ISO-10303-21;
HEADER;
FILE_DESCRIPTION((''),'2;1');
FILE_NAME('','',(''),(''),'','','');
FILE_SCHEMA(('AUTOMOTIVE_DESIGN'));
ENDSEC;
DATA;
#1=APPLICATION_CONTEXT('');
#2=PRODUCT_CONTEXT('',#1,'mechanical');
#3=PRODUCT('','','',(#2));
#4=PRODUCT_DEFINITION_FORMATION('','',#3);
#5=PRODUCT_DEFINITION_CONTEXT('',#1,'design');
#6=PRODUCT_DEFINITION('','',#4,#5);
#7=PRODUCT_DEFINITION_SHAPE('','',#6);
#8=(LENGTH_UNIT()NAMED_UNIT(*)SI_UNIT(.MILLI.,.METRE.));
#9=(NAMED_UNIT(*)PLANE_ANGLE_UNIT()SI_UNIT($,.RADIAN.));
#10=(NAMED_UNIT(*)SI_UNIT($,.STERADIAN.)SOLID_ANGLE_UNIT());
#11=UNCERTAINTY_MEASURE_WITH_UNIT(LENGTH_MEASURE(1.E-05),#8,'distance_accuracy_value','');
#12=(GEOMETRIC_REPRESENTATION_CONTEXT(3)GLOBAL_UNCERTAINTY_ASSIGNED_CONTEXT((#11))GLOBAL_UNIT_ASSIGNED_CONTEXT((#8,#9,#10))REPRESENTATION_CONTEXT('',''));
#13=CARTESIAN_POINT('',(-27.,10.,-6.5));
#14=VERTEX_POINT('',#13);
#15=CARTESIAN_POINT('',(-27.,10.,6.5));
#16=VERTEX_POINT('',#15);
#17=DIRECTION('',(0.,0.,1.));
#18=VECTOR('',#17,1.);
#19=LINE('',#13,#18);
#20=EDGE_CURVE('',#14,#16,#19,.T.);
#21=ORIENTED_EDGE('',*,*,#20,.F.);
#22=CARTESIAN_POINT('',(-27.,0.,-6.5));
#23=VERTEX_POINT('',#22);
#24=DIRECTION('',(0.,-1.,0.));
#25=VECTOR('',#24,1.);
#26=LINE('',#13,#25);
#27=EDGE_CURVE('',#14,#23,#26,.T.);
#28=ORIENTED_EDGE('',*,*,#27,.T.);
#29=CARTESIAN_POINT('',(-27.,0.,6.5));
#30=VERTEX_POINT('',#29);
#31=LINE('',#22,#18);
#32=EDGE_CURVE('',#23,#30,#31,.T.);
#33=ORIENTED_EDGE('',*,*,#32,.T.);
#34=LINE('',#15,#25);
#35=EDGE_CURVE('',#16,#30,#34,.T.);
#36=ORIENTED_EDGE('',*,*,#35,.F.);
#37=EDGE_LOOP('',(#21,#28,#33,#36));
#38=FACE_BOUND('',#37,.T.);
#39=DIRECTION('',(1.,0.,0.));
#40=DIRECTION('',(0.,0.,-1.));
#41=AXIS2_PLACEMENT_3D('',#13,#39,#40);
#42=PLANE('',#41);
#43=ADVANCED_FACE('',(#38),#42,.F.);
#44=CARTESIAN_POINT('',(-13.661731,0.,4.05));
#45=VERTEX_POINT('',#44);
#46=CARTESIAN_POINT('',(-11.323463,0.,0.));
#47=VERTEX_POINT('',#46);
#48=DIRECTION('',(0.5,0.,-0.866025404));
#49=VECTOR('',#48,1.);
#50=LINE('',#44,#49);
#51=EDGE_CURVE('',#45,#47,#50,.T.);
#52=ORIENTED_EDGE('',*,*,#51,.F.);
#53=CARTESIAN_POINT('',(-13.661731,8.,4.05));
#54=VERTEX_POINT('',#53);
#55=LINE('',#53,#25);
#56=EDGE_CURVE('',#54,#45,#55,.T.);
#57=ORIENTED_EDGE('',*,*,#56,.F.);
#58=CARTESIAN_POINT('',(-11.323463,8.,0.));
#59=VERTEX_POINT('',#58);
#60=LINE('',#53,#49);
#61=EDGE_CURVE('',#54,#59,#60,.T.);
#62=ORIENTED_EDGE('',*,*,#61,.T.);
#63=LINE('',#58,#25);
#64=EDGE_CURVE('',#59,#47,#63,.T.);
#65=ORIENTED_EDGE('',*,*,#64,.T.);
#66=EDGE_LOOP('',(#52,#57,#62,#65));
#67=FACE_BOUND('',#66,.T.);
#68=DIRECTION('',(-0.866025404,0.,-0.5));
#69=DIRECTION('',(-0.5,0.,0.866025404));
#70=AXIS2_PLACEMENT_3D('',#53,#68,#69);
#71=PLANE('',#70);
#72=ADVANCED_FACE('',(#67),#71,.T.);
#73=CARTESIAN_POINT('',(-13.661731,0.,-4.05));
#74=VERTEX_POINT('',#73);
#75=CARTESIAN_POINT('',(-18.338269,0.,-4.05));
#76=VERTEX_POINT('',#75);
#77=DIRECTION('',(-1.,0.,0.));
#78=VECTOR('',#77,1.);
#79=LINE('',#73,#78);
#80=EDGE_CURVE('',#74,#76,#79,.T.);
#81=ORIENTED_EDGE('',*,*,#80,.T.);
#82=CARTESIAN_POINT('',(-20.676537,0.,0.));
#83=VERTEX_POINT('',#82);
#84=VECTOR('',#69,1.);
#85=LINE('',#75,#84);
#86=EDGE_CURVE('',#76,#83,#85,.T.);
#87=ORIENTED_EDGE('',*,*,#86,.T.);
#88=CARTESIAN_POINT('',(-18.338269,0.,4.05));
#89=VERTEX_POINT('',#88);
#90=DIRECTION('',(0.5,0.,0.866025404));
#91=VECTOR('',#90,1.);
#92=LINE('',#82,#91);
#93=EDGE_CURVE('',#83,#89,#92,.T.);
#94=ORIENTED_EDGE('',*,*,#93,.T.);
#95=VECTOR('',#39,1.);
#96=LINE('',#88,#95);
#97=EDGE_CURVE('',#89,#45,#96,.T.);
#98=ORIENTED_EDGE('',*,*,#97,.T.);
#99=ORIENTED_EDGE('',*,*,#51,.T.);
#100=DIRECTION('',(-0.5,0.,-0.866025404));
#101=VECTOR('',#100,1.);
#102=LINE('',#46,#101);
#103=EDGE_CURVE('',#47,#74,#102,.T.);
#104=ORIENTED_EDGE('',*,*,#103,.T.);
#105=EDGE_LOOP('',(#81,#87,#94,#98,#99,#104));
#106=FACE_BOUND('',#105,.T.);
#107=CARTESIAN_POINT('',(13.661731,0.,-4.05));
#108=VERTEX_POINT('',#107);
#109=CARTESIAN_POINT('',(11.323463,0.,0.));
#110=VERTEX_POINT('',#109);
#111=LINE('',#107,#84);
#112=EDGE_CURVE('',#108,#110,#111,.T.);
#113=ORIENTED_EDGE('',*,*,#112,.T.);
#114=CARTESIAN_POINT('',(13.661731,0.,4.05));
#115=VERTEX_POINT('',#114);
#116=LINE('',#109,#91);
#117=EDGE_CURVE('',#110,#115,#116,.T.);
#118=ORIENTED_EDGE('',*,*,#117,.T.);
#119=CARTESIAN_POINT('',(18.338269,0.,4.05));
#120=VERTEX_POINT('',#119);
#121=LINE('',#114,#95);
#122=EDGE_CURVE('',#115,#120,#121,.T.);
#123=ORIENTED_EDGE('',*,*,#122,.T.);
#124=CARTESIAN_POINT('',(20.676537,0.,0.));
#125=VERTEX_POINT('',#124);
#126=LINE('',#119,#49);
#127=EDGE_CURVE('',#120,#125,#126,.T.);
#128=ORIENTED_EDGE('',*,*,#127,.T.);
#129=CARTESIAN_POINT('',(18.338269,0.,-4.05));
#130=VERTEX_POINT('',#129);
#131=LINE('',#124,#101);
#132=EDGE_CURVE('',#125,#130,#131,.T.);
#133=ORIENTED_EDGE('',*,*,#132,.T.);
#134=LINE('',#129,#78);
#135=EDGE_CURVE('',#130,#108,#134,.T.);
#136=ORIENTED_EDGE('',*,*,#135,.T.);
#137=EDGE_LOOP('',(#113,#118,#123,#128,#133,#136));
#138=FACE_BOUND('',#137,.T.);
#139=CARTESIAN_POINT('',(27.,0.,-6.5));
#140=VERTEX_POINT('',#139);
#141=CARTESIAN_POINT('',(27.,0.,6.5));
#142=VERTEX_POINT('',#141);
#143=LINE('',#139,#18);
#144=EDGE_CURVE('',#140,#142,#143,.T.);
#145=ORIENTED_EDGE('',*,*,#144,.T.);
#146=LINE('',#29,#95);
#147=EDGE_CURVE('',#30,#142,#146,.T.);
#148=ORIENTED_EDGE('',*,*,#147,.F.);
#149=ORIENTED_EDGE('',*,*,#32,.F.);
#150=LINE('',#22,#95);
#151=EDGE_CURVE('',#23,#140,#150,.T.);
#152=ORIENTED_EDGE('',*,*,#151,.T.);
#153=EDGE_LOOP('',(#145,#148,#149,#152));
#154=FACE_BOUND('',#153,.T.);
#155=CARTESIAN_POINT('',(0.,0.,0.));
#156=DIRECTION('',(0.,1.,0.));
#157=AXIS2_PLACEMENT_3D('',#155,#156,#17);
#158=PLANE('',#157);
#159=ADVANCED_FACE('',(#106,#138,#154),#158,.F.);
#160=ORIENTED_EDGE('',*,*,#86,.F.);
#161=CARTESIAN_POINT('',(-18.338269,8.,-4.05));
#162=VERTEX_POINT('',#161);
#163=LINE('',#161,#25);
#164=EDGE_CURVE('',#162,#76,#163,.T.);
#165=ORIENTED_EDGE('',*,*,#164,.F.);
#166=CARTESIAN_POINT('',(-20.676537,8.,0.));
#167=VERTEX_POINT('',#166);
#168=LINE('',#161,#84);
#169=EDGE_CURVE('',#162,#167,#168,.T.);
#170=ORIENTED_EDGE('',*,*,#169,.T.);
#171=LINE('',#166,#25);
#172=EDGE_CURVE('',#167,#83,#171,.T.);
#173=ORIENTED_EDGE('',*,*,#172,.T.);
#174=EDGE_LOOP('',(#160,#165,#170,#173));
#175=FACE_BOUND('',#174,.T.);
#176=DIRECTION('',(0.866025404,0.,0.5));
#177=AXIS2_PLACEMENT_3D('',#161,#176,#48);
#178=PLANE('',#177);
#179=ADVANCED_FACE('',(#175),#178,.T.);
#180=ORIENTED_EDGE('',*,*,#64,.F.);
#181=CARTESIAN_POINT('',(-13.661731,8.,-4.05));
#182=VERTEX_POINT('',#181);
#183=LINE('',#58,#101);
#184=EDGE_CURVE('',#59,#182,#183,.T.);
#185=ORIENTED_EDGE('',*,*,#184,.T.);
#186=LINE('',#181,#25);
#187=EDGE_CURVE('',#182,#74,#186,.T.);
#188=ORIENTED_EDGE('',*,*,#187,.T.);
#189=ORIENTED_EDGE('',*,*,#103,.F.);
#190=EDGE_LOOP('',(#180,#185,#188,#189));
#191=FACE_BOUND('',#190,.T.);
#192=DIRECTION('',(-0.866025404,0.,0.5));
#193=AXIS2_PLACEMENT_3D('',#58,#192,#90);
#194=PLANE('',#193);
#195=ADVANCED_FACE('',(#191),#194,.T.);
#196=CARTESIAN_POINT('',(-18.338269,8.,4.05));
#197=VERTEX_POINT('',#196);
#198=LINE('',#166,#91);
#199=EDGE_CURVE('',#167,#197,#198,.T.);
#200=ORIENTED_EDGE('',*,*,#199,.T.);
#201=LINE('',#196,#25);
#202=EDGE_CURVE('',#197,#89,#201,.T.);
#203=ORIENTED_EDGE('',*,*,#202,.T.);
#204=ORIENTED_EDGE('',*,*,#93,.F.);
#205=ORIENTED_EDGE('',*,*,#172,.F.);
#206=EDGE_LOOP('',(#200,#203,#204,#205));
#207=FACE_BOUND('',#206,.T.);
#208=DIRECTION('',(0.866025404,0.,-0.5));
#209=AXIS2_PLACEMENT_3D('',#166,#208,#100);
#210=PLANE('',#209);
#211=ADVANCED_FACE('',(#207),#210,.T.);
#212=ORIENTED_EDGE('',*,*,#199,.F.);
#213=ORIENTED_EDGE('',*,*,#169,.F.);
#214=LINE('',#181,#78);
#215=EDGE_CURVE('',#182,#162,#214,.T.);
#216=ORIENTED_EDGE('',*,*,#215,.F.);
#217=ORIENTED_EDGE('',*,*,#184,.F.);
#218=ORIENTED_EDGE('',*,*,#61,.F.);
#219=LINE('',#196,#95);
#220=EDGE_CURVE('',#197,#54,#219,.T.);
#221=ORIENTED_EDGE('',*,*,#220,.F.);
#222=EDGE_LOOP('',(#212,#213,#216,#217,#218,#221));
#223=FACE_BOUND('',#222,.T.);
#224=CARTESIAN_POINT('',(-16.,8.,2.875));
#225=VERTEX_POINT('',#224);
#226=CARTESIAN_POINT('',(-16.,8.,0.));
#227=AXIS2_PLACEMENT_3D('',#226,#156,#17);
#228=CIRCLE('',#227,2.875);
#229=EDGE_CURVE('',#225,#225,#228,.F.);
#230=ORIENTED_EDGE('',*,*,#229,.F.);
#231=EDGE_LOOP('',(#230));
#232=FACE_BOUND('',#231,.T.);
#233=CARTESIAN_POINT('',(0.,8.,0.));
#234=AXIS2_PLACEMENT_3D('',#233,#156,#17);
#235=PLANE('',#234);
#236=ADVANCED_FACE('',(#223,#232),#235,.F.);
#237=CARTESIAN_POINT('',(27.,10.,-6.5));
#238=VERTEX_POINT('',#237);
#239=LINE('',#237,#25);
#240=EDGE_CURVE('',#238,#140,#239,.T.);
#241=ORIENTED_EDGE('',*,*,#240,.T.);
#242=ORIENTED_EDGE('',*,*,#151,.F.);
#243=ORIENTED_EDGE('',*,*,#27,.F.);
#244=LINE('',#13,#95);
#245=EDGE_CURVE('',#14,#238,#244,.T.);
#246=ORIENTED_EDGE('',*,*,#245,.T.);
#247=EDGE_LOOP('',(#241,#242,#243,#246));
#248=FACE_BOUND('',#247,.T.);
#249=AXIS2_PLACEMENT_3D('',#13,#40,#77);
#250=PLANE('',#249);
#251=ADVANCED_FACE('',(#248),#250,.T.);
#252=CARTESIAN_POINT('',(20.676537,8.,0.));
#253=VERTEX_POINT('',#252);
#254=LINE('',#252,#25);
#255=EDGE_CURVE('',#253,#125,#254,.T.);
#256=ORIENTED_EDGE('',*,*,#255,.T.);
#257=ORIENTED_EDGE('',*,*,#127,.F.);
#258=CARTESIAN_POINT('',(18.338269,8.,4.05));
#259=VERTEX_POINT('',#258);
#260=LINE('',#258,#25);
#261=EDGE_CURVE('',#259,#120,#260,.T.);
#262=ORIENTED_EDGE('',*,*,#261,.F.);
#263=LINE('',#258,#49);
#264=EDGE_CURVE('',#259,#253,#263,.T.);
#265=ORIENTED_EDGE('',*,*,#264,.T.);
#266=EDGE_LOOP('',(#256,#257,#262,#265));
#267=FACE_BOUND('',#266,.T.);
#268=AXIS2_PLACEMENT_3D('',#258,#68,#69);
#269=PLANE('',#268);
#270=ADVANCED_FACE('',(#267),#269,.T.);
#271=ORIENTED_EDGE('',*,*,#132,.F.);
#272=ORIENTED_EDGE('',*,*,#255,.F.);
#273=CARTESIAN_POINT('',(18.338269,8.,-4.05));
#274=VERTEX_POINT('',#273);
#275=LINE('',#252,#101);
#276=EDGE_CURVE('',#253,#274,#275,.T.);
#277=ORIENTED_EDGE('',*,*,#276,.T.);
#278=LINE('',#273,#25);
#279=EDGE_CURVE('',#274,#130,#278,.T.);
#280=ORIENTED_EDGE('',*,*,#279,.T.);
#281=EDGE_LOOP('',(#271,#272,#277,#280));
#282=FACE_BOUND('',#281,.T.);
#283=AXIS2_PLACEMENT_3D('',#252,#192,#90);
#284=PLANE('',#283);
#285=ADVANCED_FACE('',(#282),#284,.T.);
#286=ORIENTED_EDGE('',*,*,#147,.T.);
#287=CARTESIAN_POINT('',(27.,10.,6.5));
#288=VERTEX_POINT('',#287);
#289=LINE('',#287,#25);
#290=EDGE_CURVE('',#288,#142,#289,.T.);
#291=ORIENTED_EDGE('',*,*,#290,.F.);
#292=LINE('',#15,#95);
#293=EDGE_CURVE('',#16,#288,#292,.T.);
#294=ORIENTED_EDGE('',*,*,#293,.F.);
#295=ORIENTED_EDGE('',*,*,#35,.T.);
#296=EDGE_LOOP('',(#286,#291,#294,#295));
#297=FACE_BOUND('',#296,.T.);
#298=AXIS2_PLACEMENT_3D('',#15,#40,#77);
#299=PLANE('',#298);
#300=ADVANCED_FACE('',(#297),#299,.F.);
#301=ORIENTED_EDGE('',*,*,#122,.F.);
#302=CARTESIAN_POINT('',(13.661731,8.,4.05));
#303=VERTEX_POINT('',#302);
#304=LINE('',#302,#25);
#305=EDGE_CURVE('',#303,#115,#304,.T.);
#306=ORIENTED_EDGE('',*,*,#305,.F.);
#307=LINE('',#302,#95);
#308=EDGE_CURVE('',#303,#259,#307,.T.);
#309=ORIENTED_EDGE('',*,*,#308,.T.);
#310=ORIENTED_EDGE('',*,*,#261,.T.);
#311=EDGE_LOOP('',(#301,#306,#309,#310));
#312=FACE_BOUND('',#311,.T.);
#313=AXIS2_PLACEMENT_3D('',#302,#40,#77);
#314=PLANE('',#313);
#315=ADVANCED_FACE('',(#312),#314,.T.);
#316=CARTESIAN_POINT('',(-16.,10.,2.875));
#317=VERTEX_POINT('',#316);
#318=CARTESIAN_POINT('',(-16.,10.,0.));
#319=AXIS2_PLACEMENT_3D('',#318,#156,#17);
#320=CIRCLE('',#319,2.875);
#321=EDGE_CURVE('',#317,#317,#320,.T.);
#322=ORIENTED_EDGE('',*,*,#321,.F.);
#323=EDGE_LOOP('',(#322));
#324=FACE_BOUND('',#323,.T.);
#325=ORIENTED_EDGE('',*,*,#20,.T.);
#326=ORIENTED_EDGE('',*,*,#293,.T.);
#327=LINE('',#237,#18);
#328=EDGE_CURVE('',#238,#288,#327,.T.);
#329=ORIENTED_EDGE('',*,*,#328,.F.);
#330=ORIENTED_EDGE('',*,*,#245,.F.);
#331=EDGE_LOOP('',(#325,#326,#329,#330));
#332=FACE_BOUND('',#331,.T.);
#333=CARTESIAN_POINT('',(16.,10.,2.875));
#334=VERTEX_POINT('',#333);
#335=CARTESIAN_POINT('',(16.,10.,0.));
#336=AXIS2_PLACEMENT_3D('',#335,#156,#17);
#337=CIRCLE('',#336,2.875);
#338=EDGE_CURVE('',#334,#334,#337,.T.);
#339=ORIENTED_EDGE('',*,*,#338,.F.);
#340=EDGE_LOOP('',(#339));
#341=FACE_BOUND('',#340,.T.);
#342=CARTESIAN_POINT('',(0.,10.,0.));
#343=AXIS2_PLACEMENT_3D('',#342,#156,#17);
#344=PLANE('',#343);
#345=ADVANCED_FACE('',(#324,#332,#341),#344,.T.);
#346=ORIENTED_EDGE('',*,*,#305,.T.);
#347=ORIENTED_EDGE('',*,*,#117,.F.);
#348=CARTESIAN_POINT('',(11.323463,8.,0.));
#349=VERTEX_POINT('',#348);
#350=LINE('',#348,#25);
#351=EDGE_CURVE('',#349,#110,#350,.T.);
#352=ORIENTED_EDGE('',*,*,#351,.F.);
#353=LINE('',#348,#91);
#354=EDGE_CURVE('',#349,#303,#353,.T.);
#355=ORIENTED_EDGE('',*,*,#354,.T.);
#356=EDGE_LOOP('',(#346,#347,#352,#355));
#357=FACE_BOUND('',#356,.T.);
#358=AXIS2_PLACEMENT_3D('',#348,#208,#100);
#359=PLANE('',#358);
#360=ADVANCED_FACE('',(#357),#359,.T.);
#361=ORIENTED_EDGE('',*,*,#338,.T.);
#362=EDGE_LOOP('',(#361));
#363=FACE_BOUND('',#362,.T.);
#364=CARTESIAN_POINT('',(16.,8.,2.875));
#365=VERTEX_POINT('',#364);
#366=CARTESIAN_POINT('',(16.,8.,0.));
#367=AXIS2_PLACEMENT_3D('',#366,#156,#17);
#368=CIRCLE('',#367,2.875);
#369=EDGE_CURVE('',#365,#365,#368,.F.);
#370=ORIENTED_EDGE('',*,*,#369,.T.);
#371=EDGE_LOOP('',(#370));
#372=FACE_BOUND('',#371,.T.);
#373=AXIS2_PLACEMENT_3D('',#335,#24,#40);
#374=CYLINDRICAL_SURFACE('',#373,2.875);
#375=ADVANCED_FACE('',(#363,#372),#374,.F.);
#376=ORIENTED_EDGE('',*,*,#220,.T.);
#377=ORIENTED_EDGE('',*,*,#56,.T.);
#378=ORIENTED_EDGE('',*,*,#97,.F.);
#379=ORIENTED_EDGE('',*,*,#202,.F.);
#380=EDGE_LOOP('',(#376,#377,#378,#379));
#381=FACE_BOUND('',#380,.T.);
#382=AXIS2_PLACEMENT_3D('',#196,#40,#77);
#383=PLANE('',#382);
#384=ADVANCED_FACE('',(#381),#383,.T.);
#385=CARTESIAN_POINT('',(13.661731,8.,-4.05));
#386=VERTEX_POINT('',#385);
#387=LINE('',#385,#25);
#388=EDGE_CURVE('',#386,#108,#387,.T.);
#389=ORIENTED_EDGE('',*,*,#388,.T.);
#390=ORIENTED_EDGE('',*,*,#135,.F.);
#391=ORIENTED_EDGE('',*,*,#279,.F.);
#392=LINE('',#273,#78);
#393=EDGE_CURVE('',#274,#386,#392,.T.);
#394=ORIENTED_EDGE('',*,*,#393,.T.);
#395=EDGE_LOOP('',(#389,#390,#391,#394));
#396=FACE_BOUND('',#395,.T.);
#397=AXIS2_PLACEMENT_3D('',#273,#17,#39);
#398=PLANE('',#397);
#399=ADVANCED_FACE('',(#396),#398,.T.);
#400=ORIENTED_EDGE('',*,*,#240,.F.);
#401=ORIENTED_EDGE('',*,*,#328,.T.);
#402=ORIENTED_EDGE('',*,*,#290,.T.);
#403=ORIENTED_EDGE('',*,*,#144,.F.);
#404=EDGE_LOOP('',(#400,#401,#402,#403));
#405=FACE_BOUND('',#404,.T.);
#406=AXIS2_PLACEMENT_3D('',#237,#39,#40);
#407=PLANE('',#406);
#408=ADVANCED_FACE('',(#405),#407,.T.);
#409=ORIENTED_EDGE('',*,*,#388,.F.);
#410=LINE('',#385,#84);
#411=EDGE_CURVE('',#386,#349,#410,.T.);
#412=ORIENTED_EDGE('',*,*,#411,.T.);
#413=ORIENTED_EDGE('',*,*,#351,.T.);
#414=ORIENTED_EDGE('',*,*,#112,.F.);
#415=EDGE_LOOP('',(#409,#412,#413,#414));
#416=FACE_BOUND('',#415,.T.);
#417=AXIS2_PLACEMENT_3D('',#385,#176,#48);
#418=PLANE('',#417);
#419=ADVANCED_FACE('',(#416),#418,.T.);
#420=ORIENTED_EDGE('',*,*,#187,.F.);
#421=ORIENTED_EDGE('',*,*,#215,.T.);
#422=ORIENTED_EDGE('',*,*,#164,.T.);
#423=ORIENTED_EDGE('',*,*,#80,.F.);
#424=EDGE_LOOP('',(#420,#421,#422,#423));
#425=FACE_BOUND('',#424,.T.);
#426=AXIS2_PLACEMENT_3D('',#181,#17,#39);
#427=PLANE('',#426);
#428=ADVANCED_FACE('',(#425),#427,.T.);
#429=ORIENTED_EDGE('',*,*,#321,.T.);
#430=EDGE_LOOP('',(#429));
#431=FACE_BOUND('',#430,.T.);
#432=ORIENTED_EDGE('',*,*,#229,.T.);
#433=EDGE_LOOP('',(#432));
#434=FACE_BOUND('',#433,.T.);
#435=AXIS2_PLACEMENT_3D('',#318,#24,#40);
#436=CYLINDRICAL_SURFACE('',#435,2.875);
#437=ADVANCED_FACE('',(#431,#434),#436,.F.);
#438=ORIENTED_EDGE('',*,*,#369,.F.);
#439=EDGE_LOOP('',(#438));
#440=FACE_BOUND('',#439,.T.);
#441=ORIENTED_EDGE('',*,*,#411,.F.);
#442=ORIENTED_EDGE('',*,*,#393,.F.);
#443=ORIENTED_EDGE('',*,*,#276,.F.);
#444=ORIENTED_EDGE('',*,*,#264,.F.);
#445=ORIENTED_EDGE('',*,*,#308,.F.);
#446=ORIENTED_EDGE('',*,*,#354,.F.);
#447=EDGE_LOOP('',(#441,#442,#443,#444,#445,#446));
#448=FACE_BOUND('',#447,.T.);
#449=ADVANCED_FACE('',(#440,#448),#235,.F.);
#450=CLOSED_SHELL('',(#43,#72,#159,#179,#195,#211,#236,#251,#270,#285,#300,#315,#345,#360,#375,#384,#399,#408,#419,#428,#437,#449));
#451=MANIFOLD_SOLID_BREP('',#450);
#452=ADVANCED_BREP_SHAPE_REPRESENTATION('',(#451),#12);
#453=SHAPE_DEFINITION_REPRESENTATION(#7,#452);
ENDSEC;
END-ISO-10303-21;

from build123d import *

# Parameters (mm, degrees)
CROQUIS1_W              = 54
CROQUIS1_H              = 13
SALIENTE_EXTRUIR1_DEPTH = 10
CORTAR_EXTRUIR1_DEPTH   = 8
CROQUIS1_4_R            = 2.875
CORTAR_EXTRUIR2_DEPTH   = 11


with BuildPart() as part:
    # Croquis1 → Saliente-Extruir1 (new body)
    with BuildSketch(Plane(origin=(0, 0, 0), x_dir=(1, 0, 0), z_dir=(0, 1, 0))):
        Rectangle(CROQUIS1_W, CROQUIS1_H)
    extrude(amount=SALIENTE_EXTRUIR1_DEPTH)

    # Croquis1<3> → Cortar-Extruir1 (cut)
    with BuildSketch(Plane(origin=(0, 0, 0), x_dir=(1, 0, 0), z_dir=(0, 1, 0))):
        Polygon((-18.33826859, -4.05), (-13.66173141, -4.05), (-11.32346282, 0), (-13.66173141, 4.05), (-18.33826859, 4.05), (-20.67653718, 0), align=None)
        Polygon((20.67653718, 0), (18.33826859, 4.05), (13.66173141, 4.05), (11.32346282, 0), (13.66173141, -4.05), (18.33826859, -4.05), align=None)
    extrude(amount=CORTAR_EXTRUIR1_DEPTH, mode=Mode.SUBTRACT)

    # Croquis1<4> → Cortar-Extruir2 (cut, through all)
    with BuildSketch(Plane(origin=(0, 0, 0), x_dir=(1, 0, 0), z_dir=(0, 1, 0))):
        with Locations((-16, 0)):
            Circle(CROQUIS1_4_R)
        with Locations((16, 0)):
            Circle(CROQUIS1_4_R)
    extrude(amount=CORTAR_EXTRUIR2_DEPTH, mode=Mode.SUBTRACT)


solid = part.part
